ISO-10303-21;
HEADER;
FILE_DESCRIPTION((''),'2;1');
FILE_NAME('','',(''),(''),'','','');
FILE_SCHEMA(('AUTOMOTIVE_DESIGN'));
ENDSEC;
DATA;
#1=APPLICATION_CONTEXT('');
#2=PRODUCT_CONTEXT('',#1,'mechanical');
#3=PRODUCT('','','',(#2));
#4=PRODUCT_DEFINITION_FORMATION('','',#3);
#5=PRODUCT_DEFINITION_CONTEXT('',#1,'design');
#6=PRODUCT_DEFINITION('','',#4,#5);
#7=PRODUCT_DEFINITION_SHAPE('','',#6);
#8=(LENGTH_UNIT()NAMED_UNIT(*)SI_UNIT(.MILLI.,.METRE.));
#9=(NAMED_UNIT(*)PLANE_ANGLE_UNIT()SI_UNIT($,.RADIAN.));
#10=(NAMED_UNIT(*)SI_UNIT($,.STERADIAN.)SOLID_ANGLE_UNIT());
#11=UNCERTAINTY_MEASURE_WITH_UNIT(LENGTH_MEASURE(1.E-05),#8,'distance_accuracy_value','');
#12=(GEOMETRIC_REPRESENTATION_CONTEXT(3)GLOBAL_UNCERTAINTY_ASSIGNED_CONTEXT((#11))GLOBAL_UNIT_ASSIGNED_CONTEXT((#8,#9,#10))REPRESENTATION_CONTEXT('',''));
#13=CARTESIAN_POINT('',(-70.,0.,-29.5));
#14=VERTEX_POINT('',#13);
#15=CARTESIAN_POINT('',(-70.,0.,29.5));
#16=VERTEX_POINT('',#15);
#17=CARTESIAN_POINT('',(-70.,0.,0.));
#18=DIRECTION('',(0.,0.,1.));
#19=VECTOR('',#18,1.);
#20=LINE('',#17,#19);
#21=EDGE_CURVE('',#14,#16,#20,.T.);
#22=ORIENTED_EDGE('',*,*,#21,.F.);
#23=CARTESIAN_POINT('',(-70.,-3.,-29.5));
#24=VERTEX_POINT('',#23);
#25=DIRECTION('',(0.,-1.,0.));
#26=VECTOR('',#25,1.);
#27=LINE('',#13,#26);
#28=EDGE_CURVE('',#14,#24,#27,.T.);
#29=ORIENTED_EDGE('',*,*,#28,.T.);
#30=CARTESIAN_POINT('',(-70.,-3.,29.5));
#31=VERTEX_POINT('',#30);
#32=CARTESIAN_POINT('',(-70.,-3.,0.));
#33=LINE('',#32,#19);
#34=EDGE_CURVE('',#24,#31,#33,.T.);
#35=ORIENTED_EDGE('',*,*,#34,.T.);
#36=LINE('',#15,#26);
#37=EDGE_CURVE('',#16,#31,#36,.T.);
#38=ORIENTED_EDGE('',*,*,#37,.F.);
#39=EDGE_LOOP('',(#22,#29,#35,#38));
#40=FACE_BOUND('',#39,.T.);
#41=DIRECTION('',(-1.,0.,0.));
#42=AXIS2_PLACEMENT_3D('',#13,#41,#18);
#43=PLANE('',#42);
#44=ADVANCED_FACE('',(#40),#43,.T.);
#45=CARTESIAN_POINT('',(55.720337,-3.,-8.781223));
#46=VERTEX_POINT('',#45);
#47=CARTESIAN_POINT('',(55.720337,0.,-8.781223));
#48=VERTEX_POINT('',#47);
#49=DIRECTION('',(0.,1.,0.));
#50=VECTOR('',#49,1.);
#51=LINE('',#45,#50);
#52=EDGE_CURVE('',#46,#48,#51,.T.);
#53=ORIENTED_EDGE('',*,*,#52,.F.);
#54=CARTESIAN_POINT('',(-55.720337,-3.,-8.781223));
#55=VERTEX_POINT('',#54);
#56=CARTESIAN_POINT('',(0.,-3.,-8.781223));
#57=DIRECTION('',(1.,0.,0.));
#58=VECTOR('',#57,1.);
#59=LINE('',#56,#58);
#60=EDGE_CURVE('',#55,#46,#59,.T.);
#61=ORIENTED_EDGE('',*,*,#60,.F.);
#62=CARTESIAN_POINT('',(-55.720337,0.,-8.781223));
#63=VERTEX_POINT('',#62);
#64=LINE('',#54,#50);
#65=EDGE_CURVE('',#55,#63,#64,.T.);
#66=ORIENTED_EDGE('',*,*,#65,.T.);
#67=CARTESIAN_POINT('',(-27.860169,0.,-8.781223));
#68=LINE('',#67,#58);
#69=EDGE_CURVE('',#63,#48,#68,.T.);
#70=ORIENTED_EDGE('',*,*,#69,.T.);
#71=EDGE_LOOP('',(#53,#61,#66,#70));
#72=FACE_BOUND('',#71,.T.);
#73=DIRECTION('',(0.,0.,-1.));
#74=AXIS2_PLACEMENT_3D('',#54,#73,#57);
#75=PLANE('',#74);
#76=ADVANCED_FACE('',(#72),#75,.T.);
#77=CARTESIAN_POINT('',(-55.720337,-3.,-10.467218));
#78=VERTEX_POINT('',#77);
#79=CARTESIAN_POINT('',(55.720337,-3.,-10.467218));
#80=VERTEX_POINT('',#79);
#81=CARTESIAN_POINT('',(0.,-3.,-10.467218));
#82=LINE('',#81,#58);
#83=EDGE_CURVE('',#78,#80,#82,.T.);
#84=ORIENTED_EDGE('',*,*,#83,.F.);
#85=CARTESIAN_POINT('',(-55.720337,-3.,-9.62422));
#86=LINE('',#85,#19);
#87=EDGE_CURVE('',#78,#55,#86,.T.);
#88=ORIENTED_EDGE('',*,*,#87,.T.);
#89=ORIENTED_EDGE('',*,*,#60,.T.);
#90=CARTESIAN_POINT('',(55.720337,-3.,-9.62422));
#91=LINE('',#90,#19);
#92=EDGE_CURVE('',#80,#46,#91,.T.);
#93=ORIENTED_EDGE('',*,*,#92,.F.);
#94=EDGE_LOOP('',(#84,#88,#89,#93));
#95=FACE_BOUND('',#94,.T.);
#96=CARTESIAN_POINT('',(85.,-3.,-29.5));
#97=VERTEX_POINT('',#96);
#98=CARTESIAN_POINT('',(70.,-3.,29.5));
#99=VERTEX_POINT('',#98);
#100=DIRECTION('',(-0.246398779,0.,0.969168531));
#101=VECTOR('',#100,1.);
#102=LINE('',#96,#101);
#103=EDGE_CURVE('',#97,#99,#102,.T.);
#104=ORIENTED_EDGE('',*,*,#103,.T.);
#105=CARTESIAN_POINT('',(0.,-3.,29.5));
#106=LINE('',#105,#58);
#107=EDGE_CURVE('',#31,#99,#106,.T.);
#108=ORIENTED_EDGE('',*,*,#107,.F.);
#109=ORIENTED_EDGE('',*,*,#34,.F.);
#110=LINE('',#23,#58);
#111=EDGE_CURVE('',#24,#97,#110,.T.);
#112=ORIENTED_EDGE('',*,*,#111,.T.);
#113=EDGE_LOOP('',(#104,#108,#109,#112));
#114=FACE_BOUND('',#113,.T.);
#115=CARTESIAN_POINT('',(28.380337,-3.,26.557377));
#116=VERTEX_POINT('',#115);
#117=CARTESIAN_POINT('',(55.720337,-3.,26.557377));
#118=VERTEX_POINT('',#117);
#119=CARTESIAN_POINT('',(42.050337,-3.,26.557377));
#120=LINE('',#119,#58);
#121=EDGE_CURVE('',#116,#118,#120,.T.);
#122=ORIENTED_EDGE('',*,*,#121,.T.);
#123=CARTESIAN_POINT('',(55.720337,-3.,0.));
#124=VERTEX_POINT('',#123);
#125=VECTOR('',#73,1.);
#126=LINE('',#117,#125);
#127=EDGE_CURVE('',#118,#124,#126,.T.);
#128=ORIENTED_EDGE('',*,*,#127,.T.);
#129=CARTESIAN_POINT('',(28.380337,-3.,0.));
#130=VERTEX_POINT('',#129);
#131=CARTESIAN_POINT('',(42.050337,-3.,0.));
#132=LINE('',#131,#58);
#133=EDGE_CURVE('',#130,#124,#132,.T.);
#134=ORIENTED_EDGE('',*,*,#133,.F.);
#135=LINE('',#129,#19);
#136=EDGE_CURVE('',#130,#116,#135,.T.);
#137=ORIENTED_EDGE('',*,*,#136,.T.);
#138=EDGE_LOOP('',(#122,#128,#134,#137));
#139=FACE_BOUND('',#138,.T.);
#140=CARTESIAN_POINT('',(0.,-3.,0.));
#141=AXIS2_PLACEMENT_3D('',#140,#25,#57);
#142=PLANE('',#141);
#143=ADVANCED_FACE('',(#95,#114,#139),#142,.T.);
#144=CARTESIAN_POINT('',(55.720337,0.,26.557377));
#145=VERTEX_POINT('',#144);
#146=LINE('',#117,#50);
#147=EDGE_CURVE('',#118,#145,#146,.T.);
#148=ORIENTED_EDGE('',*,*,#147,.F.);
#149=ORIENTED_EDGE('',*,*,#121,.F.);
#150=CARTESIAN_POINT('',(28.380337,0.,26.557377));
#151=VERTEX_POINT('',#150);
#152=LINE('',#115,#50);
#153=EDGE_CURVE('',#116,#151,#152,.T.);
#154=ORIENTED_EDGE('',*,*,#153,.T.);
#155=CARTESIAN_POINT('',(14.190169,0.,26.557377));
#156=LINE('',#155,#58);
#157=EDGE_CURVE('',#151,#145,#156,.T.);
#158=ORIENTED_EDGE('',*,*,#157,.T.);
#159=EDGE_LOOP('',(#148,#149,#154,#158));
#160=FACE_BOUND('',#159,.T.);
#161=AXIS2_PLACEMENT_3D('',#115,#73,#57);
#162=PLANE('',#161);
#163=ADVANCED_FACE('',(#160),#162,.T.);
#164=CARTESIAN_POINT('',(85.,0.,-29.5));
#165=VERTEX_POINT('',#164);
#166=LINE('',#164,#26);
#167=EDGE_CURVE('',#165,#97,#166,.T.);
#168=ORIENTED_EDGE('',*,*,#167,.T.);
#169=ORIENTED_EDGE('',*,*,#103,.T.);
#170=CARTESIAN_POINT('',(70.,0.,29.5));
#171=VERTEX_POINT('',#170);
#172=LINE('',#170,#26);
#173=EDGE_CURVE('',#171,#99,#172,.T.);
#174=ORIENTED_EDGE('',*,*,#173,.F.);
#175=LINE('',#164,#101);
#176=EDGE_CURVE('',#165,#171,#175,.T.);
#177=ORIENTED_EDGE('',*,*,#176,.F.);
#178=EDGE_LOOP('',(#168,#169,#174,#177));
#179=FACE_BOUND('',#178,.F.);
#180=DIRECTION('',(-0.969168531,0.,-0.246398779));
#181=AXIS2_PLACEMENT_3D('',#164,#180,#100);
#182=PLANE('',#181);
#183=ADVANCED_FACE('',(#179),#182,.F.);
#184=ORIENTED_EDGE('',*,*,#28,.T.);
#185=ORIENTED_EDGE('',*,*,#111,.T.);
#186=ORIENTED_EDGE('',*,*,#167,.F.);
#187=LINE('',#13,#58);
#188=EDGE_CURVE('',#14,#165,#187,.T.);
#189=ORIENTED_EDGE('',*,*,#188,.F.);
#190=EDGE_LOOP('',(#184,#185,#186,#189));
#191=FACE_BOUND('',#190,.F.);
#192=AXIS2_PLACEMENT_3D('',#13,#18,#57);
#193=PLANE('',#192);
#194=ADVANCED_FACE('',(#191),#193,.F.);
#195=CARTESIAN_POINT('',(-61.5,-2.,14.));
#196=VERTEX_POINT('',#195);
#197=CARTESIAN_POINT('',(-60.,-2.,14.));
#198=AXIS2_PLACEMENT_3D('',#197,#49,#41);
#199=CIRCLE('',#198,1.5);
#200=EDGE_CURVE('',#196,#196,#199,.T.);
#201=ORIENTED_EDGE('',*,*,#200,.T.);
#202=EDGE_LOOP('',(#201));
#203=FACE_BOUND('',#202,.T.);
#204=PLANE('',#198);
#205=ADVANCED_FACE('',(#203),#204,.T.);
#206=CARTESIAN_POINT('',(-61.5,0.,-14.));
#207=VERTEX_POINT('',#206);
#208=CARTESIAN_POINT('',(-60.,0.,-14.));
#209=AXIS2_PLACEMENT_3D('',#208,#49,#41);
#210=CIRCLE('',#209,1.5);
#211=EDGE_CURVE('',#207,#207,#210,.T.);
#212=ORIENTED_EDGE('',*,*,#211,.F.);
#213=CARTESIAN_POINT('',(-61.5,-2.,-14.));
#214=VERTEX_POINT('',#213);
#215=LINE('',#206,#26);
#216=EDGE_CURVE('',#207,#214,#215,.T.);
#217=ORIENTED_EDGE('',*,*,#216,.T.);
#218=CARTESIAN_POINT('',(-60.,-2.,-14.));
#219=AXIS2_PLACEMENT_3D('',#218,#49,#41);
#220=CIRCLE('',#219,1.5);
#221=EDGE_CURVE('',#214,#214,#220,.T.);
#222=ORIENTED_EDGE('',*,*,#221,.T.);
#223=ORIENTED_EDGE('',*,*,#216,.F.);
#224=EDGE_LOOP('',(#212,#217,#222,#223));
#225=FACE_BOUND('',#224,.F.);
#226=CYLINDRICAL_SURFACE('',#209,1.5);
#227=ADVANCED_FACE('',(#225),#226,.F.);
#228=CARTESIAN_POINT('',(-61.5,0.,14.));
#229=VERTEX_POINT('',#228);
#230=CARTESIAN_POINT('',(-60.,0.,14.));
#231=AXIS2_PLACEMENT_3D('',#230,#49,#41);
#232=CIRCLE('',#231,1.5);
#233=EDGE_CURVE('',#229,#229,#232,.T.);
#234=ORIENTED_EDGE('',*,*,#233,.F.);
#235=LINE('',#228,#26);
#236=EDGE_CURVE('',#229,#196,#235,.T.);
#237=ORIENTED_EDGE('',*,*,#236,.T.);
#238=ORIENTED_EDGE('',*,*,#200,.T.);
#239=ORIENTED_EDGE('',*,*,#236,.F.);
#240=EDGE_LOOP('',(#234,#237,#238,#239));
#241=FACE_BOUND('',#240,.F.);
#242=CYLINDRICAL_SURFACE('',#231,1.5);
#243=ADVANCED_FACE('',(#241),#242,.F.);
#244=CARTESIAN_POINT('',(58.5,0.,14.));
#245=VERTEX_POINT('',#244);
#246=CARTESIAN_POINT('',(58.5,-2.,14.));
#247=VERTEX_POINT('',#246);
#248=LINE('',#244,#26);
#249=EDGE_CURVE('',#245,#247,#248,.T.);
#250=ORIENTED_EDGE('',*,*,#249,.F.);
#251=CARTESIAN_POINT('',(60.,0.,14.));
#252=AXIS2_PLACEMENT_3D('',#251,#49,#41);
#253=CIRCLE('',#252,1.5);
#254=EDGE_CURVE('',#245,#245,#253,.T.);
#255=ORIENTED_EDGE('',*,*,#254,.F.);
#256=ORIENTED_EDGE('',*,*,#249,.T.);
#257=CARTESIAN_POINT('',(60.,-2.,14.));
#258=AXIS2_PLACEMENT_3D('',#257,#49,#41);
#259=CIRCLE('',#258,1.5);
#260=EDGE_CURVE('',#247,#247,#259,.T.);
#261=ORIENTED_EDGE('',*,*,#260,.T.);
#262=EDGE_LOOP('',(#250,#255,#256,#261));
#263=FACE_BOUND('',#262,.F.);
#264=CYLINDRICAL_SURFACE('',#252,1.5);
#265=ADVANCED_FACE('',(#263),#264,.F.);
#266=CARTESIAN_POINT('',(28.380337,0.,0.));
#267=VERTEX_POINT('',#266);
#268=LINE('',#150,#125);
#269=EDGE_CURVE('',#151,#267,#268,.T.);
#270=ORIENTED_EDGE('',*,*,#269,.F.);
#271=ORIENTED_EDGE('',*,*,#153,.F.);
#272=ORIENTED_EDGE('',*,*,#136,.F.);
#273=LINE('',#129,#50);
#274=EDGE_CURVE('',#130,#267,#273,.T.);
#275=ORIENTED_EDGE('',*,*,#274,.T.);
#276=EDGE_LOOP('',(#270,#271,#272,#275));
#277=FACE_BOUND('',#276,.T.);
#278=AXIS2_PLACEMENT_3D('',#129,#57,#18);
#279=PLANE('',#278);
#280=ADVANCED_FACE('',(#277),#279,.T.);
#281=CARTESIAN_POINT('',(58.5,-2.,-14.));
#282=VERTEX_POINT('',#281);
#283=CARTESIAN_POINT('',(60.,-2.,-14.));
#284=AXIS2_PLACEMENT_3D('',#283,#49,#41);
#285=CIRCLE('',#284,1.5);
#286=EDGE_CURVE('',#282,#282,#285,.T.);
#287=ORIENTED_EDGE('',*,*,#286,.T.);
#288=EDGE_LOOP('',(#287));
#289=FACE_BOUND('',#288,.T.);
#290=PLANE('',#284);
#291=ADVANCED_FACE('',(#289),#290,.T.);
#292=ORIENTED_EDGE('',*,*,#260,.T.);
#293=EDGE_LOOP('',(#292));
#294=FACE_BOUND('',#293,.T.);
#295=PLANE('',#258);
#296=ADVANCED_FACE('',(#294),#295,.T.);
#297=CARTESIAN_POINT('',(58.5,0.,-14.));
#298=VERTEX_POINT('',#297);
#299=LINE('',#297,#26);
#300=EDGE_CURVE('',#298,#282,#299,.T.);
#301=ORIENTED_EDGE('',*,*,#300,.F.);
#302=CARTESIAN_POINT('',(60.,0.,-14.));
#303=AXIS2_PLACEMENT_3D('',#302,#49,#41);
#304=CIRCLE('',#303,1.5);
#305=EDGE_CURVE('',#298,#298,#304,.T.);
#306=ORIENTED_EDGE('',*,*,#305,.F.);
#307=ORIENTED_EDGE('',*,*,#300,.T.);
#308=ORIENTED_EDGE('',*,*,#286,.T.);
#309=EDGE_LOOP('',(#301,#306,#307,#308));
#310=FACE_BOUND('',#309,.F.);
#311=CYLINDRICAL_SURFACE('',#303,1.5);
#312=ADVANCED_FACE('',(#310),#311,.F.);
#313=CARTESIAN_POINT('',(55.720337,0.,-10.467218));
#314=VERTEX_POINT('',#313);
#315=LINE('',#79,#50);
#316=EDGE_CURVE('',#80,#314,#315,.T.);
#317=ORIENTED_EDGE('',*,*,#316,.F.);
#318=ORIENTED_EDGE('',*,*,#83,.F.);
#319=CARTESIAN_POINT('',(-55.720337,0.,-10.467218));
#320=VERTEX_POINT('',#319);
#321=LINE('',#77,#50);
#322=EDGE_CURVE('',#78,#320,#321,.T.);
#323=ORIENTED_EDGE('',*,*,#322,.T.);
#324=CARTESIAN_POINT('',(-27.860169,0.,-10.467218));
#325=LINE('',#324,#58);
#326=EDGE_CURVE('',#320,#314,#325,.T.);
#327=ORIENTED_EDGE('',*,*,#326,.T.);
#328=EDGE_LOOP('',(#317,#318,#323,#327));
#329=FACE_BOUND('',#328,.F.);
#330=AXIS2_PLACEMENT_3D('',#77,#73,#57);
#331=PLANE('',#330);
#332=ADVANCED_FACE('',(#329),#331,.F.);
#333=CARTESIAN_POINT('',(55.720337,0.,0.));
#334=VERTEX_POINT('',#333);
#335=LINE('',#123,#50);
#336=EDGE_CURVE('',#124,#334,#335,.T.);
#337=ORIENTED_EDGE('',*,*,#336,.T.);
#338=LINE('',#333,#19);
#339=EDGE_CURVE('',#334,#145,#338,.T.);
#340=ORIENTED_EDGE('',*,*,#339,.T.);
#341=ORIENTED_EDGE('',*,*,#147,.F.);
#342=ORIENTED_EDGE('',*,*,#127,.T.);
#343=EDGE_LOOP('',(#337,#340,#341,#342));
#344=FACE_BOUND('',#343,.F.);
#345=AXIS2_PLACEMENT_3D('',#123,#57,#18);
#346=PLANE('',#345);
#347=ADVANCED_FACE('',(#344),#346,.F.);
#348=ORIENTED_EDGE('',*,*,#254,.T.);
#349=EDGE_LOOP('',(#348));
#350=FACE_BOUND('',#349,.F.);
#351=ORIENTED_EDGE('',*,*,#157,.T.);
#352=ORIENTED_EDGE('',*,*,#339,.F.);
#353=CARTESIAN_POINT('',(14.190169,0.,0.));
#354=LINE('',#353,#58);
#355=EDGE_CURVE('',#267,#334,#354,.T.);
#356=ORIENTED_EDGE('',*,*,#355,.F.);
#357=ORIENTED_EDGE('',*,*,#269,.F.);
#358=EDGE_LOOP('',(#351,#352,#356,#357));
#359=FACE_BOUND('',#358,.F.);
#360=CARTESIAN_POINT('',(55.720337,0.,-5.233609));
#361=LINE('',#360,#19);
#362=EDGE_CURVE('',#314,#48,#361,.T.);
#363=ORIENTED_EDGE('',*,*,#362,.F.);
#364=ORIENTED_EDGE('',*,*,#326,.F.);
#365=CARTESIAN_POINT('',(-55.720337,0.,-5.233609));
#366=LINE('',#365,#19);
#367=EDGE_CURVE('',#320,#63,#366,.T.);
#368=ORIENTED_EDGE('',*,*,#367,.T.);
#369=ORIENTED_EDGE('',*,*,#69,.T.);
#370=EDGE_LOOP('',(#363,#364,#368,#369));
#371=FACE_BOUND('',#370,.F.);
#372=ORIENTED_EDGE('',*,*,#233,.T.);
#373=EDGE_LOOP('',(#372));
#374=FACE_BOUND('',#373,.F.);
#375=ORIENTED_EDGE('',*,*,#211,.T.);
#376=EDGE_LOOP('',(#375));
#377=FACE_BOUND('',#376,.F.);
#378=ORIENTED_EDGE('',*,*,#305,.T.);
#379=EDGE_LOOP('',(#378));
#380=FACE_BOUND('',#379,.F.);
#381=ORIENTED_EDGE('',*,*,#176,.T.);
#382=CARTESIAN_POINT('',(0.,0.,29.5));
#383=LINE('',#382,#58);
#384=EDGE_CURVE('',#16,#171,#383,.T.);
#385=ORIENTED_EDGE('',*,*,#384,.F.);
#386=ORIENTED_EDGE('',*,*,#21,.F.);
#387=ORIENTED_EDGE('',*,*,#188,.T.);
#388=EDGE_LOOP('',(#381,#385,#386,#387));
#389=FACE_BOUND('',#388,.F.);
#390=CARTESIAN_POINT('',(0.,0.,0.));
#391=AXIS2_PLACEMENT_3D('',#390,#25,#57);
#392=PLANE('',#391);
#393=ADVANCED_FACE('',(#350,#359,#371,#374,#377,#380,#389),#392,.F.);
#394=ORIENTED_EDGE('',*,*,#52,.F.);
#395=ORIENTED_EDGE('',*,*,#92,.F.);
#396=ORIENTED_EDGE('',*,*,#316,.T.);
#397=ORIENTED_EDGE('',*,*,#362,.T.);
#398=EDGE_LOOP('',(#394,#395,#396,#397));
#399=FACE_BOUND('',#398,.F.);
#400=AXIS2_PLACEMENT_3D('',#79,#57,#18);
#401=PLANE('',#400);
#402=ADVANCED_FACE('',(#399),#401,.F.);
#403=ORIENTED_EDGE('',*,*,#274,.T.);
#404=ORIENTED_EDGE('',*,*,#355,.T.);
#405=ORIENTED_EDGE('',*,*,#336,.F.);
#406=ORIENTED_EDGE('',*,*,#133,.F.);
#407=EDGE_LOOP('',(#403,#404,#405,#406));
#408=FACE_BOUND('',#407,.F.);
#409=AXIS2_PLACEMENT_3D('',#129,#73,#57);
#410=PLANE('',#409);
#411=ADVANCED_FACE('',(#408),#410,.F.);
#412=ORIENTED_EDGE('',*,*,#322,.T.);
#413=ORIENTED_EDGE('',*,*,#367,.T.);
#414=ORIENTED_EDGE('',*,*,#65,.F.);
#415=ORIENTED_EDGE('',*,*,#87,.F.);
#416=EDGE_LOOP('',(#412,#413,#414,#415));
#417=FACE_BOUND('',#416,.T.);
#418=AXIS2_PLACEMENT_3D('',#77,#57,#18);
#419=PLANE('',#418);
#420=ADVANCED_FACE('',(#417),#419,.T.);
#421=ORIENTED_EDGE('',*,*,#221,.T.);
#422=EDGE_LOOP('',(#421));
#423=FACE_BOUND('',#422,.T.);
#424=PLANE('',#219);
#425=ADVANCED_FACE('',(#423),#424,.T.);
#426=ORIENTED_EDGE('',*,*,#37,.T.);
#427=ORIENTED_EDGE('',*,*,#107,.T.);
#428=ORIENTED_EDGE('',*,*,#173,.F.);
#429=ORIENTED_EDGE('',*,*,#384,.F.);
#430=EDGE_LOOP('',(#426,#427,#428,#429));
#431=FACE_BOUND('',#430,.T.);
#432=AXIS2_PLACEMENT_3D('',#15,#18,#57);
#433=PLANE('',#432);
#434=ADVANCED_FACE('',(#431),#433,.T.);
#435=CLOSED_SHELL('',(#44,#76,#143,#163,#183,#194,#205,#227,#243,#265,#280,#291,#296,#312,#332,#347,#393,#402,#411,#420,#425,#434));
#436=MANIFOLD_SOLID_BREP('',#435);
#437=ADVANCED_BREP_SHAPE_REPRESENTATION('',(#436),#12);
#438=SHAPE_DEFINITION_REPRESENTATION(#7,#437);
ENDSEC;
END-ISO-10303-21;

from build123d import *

# Parameters (mm, degrees)
F0_W     = 140
F0_H     = 59
F1_DEPTH = 3
F2_W     = 111.440674
F2_H     = 1.685995
F3_DEPTH = 25
F4_W     = 27.34
F4_H     = 19
F5_DEPTH = 25
F6_R     = 1.5
F7_DEPTH = 2
F8_W     = 27.34
F8_H     = 26.557377
F9_DEPTH = 25


with BuildPart() as f1:
    # F0 (on Front) → F1 (new body)
    with BuildSketch(Plane.XZ):
        Rectangle(F0_W, F0_H)
        Polygon((85, -29.5), (70, 29.5), (70, -29.5), align=None)
    extrude(amount=F1_DEPTH)

    # F2 (on face) → F3 (cut)
    with BuildSketch(Plane.XZ.offset(3)):
        with Locations((0, -9.62422)):
            Rectangle(F2_W, F2_H)
    extrude(amount=-F3_DEPTH, mode=Mode.SUBTRACT)

    # F4 (on face) → F5 (cut)
    with BuildSketch(Plane.XZ.offset(3)):
        with Locations((42.050337, 12.718777)):
            Rectangle(F4_W, F4_H)
    extrude(amount=-F5_DEPTH, mode=Mode.SUBTRACT)

    # F6 (on face) → F7 (cut)
    with BuildSketch(Plane(origin=(0, 0, 0), x_dir=(-1, 0, 0), z_dir=(0, 1, 0))):
        with Locations((60, 14)):
            Circle(F6_R)
        with Locations((-60, 14)):
            Circle(F6_R)
        with Locations((60, -14)):
            Circle(F6_R)
        with Locations((-60, -14)):
            Circle(F6_R)
    extrude(amount=-F7_DEPTH, mode=Mode.SUBTRACT)

    # F8 (on face) → F9 (cut)
    with BuildSketch(Plane.XZ.offset(3)):
        with Locations((42.050337, 13.278688)):
            Rectangle(F8_W, F8_H)
    extrude(amount=-F9_DEPTH, mode=Mode.SUBTRACT)


solid = f1.part
